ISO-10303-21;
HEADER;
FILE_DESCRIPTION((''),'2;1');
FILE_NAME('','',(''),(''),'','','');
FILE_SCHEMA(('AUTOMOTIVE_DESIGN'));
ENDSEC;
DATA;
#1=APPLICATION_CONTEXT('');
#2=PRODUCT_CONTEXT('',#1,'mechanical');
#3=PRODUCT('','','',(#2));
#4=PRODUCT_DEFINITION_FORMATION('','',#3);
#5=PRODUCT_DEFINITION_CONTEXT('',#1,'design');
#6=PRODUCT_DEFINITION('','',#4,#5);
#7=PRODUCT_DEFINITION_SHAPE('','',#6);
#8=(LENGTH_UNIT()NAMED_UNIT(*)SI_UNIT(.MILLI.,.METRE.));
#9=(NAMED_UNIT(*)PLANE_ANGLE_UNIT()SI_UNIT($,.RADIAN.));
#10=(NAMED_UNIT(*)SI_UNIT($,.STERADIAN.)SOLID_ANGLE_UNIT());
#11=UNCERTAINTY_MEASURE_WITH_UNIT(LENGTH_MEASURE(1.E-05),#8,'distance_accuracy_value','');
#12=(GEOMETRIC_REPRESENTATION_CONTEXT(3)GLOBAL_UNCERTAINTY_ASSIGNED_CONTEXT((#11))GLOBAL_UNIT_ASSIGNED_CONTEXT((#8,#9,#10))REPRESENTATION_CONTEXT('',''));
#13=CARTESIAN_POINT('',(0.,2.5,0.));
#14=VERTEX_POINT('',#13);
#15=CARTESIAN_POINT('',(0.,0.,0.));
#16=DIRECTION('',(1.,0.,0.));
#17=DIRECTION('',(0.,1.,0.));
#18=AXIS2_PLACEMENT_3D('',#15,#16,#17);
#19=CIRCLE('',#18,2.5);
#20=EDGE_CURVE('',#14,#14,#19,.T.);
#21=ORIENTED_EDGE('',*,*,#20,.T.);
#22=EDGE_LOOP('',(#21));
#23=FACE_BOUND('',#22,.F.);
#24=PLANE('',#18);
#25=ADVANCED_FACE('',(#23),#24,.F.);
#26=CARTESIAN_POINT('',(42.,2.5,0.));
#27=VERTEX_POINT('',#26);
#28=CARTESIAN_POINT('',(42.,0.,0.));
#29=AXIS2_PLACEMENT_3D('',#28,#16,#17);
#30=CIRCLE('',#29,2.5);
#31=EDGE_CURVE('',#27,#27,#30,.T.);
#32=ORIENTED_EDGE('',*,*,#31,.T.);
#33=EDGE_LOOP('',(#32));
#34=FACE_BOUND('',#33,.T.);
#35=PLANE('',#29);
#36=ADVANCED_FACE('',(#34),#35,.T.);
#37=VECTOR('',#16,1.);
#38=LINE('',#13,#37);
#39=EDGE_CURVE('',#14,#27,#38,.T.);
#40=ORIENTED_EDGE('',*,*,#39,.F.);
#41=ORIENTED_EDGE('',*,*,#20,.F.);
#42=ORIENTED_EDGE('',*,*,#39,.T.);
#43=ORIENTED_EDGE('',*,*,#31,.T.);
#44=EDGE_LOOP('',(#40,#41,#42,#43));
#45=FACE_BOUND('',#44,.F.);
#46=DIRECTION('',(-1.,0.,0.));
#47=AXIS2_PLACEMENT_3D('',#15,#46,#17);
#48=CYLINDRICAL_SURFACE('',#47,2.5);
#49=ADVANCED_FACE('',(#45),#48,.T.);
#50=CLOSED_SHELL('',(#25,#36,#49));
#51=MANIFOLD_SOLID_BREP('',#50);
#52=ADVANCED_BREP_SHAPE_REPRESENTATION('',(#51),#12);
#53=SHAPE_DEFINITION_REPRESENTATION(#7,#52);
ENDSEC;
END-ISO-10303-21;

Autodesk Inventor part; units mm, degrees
ref_plane "YZ Plane" through (0, 0, 0) normal (1, 0, 0) x (0, 1, 0)
ref_plane "XZ Plane" through (0, 0, 0) normal (0, 1, 0) x (-1, 0, 0)
ref_plane "XY Plane" through (0, 0, 0) normal (0, 0, 1) x (1, 0, 0)
sketch "Sketch1" plane through (0, 0, 0) normal (1, 0, 0) x (0, 1, 0)
  circle A0 centre (0, 0) radius 2.5
  dimension "d0" = 5
extrude "Extrusion1" add sketch "Sketch1" along normal blind 42
properties part number "rod_axle"
